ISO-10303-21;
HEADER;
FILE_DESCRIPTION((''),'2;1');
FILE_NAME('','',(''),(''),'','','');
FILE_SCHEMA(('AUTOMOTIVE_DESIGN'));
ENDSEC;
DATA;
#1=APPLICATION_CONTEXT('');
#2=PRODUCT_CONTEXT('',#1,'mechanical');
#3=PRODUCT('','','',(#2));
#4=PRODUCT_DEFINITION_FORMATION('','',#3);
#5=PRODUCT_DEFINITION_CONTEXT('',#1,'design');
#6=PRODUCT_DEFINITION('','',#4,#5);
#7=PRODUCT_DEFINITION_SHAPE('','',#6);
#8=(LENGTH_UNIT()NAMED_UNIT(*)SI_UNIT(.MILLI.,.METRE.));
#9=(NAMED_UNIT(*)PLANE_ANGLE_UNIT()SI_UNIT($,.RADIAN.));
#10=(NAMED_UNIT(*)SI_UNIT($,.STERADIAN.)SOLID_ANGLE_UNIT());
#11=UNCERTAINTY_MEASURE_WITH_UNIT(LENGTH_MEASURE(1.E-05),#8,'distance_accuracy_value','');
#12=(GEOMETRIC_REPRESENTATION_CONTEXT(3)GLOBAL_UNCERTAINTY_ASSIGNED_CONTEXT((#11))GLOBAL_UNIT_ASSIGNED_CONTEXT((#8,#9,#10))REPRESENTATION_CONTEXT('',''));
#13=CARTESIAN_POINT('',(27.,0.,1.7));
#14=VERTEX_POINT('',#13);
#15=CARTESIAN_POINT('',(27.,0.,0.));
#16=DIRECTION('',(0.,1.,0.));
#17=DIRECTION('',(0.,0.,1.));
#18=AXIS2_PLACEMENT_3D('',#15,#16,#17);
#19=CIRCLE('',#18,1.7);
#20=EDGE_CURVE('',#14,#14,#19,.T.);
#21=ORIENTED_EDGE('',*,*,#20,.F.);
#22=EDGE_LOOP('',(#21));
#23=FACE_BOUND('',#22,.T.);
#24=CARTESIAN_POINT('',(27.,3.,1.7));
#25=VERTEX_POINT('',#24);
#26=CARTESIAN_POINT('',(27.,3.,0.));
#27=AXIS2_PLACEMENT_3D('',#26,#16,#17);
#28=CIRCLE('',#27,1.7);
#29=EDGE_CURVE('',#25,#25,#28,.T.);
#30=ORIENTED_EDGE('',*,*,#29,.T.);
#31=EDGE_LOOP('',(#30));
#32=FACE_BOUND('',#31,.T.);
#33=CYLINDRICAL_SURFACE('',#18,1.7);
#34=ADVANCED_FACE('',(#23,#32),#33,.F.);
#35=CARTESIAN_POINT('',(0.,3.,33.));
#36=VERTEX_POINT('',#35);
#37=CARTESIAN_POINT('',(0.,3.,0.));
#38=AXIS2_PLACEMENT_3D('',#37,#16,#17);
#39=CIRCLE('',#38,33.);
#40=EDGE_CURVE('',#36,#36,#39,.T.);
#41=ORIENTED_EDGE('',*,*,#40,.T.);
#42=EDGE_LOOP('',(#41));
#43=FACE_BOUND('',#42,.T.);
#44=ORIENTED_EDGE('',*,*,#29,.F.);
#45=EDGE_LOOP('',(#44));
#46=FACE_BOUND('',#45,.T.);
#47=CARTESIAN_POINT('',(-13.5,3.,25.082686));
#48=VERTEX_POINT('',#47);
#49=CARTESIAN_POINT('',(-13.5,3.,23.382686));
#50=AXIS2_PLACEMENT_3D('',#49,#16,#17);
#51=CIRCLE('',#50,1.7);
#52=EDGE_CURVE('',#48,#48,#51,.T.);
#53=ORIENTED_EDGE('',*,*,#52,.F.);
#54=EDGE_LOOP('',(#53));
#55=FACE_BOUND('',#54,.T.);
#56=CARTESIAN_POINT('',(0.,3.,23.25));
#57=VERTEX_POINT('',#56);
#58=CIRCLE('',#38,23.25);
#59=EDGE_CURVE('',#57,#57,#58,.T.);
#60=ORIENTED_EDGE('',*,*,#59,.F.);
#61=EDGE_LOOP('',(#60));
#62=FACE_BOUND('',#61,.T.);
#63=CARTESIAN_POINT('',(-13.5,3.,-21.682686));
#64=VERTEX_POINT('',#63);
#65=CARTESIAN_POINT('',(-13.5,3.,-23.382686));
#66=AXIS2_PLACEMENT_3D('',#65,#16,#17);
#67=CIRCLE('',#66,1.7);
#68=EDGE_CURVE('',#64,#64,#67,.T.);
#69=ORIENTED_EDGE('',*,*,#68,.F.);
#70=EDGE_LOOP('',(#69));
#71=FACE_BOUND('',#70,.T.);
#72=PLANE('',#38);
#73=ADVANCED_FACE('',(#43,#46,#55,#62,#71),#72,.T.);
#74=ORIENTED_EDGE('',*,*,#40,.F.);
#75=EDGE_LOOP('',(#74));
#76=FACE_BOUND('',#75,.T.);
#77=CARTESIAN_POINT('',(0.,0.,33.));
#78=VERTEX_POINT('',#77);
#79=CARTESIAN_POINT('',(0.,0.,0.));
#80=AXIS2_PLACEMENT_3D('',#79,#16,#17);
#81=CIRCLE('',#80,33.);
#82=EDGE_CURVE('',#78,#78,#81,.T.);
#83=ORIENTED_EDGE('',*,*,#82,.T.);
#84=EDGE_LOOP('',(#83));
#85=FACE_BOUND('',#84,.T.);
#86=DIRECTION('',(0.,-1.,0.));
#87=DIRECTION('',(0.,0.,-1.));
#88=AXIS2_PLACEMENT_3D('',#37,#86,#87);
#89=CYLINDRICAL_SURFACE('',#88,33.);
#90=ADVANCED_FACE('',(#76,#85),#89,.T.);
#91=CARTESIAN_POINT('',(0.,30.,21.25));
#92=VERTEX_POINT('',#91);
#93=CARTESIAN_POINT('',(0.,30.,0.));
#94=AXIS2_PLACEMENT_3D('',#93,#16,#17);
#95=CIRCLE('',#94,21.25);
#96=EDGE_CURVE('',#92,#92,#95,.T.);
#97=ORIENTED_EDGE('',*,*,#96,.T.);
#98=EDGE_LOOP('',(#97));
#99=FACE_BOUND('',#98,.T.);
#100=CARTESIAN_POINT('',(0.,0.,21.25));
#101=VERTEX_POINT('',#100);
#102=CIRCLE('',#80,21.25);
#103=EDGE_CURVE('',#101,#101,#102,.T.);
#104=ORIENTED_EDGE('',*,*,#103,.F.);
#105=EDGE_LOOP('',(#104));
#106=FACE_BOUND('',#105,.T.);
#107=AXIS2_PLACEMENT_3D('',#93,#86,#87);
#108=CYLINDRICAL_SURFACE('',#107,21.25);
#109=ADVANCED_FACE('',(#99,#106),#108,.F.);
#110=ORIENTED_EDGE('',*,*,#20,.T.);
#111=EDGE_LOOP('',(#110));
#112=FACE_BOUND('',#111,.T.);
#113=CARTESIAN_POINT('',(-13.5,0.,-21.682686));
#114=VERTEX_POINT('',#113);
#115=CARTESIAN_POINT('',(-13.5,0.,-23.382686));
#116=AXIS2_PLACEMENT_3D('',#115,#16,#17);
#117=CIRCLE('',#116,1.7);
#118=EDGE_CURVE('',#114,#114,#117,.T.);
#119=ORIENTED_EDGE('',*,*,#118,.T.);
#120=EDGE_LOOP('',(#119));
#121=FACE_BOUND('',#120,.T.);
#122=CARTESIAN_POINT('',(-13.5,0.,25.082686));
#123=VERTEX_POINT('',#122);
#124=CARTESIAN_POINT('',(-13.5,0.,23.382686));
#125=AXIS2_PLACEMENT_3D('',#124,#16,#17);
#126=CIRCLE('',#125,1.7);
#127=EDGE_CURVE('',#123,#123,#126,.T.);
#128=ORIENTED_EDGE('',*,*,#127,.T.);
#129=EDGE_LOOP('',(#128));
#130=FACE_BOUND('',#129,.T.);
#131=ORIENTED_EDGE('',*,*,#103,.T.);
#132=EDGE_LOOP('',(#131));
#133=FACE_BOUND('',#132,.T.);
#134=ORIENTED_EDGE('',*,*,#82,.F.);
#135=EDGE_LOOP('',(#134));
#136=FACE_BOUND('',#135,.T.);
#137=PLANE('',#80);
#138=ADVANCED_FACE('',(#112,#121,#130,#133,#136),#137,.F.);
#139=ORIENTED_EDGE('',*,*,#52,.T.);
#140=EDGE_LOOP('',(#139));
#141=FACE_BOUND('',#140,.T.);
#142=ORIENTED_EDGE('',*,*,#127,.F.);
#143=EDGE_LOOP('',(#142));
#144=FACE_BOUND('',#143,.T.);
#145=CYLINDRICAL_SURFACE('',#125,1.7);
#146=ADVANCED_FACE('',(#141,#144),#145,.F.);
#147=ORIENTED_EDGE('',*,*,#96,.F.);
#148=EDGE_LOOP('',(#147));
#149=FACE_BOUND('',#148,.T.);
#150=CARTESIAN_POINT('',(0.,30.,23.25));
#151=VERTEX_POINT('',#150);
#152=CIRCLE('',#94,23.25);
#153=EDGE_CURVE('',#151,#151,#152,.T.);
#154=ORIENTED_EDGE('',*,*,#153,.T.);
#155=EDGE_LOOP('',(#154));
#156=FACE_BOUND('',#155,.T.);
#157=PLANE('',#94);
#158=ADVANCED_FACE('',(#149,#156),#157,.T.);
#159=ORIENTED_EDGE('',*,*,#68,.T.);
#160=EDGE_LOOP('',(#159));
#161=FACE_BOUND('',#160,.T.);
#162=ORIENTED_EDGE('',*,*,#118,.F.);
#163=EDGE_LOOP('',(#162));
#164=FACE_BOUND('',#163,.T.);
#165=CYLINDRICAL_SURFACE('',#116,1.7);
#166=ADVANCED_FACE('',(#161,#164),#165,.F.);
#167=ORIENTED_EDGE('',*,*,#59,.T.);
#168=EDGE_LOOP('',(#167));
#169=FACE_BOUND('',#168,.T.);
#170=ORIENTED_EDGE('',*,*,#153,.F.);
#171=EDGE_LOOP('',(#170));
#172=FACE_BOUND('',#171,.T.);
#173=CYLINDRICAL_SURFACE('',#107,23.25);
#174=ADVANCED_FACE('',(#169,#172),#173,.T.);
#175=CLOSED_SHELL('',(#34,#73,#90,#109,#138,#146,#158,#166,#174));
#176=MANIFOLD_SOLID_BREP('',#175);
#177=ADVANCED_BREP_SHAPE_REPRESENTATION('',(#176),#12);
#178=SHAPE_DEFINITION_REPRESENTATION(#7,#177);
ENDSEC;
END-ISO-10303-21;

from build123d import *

# Parameters (mm, degrees)
SKETCH1_R           = 23.25
SKETCH1_R_2         = 21.25
BOSS_EXTRUDE1_DEPTH = 30
SKETCH1_4_R         = 33
SKETCH1_4_R_2       = 23.25
BOSS_EXTRUDE2_DEPTH = 3
SKETCH2_R           = 1.7
CUT_EXTRUDE1_DEPTH  = 54.916602267


with BuildPart() as part:
    # Sketch1 → Boss-Extrude1 (new body)
    with BuildSketch(Plane(origin=(0, 0, 0), x_dir=(1, 0, 0), z_dir=(0, 1, 0))):
        Circle(SKETCH1_R)
        Circle(SKETCH1_R_2, mode=Mode.SUBTRACT)
    extrude(amount=BOSS_EXTRUDE1_DEPTH)

    # Sketch1<4> → Boss-Extrude2 (add)
    with BuildSketch(Plane(origin=(0, 0, 0), x_dir=(1, 0, 0), z_dir=(0, 1, 0))):
        Circle(SKETCH1_4_R)
        Circle(SKETCH1_4_R_2, mode=Mode.SUBTRACT)
    extrude(amount=BOSS_EXTRUDE2_DEPTH)

    # Sketch2 → Cut-Extrude1 (cut, through all)
    with BuildSketch(Plane(origin=(0, 3, 0), x_dir=(1, 0, 0), z_dir=(0, 1, 0))):
        with Locations((27, 0)):
            Circle(SKETCH2_R)
        with Locations((-13.5, -23.382685902)):
            Circle(SKETCH2_R)
        with Locations((-13.5, 23.382685902)):
            Circle(SKETCH2_R)
    extrude(amount=-CUT_EXTRUDE1_DEPTH, mode=Mode.SUBTRACT)


solid = part.part
